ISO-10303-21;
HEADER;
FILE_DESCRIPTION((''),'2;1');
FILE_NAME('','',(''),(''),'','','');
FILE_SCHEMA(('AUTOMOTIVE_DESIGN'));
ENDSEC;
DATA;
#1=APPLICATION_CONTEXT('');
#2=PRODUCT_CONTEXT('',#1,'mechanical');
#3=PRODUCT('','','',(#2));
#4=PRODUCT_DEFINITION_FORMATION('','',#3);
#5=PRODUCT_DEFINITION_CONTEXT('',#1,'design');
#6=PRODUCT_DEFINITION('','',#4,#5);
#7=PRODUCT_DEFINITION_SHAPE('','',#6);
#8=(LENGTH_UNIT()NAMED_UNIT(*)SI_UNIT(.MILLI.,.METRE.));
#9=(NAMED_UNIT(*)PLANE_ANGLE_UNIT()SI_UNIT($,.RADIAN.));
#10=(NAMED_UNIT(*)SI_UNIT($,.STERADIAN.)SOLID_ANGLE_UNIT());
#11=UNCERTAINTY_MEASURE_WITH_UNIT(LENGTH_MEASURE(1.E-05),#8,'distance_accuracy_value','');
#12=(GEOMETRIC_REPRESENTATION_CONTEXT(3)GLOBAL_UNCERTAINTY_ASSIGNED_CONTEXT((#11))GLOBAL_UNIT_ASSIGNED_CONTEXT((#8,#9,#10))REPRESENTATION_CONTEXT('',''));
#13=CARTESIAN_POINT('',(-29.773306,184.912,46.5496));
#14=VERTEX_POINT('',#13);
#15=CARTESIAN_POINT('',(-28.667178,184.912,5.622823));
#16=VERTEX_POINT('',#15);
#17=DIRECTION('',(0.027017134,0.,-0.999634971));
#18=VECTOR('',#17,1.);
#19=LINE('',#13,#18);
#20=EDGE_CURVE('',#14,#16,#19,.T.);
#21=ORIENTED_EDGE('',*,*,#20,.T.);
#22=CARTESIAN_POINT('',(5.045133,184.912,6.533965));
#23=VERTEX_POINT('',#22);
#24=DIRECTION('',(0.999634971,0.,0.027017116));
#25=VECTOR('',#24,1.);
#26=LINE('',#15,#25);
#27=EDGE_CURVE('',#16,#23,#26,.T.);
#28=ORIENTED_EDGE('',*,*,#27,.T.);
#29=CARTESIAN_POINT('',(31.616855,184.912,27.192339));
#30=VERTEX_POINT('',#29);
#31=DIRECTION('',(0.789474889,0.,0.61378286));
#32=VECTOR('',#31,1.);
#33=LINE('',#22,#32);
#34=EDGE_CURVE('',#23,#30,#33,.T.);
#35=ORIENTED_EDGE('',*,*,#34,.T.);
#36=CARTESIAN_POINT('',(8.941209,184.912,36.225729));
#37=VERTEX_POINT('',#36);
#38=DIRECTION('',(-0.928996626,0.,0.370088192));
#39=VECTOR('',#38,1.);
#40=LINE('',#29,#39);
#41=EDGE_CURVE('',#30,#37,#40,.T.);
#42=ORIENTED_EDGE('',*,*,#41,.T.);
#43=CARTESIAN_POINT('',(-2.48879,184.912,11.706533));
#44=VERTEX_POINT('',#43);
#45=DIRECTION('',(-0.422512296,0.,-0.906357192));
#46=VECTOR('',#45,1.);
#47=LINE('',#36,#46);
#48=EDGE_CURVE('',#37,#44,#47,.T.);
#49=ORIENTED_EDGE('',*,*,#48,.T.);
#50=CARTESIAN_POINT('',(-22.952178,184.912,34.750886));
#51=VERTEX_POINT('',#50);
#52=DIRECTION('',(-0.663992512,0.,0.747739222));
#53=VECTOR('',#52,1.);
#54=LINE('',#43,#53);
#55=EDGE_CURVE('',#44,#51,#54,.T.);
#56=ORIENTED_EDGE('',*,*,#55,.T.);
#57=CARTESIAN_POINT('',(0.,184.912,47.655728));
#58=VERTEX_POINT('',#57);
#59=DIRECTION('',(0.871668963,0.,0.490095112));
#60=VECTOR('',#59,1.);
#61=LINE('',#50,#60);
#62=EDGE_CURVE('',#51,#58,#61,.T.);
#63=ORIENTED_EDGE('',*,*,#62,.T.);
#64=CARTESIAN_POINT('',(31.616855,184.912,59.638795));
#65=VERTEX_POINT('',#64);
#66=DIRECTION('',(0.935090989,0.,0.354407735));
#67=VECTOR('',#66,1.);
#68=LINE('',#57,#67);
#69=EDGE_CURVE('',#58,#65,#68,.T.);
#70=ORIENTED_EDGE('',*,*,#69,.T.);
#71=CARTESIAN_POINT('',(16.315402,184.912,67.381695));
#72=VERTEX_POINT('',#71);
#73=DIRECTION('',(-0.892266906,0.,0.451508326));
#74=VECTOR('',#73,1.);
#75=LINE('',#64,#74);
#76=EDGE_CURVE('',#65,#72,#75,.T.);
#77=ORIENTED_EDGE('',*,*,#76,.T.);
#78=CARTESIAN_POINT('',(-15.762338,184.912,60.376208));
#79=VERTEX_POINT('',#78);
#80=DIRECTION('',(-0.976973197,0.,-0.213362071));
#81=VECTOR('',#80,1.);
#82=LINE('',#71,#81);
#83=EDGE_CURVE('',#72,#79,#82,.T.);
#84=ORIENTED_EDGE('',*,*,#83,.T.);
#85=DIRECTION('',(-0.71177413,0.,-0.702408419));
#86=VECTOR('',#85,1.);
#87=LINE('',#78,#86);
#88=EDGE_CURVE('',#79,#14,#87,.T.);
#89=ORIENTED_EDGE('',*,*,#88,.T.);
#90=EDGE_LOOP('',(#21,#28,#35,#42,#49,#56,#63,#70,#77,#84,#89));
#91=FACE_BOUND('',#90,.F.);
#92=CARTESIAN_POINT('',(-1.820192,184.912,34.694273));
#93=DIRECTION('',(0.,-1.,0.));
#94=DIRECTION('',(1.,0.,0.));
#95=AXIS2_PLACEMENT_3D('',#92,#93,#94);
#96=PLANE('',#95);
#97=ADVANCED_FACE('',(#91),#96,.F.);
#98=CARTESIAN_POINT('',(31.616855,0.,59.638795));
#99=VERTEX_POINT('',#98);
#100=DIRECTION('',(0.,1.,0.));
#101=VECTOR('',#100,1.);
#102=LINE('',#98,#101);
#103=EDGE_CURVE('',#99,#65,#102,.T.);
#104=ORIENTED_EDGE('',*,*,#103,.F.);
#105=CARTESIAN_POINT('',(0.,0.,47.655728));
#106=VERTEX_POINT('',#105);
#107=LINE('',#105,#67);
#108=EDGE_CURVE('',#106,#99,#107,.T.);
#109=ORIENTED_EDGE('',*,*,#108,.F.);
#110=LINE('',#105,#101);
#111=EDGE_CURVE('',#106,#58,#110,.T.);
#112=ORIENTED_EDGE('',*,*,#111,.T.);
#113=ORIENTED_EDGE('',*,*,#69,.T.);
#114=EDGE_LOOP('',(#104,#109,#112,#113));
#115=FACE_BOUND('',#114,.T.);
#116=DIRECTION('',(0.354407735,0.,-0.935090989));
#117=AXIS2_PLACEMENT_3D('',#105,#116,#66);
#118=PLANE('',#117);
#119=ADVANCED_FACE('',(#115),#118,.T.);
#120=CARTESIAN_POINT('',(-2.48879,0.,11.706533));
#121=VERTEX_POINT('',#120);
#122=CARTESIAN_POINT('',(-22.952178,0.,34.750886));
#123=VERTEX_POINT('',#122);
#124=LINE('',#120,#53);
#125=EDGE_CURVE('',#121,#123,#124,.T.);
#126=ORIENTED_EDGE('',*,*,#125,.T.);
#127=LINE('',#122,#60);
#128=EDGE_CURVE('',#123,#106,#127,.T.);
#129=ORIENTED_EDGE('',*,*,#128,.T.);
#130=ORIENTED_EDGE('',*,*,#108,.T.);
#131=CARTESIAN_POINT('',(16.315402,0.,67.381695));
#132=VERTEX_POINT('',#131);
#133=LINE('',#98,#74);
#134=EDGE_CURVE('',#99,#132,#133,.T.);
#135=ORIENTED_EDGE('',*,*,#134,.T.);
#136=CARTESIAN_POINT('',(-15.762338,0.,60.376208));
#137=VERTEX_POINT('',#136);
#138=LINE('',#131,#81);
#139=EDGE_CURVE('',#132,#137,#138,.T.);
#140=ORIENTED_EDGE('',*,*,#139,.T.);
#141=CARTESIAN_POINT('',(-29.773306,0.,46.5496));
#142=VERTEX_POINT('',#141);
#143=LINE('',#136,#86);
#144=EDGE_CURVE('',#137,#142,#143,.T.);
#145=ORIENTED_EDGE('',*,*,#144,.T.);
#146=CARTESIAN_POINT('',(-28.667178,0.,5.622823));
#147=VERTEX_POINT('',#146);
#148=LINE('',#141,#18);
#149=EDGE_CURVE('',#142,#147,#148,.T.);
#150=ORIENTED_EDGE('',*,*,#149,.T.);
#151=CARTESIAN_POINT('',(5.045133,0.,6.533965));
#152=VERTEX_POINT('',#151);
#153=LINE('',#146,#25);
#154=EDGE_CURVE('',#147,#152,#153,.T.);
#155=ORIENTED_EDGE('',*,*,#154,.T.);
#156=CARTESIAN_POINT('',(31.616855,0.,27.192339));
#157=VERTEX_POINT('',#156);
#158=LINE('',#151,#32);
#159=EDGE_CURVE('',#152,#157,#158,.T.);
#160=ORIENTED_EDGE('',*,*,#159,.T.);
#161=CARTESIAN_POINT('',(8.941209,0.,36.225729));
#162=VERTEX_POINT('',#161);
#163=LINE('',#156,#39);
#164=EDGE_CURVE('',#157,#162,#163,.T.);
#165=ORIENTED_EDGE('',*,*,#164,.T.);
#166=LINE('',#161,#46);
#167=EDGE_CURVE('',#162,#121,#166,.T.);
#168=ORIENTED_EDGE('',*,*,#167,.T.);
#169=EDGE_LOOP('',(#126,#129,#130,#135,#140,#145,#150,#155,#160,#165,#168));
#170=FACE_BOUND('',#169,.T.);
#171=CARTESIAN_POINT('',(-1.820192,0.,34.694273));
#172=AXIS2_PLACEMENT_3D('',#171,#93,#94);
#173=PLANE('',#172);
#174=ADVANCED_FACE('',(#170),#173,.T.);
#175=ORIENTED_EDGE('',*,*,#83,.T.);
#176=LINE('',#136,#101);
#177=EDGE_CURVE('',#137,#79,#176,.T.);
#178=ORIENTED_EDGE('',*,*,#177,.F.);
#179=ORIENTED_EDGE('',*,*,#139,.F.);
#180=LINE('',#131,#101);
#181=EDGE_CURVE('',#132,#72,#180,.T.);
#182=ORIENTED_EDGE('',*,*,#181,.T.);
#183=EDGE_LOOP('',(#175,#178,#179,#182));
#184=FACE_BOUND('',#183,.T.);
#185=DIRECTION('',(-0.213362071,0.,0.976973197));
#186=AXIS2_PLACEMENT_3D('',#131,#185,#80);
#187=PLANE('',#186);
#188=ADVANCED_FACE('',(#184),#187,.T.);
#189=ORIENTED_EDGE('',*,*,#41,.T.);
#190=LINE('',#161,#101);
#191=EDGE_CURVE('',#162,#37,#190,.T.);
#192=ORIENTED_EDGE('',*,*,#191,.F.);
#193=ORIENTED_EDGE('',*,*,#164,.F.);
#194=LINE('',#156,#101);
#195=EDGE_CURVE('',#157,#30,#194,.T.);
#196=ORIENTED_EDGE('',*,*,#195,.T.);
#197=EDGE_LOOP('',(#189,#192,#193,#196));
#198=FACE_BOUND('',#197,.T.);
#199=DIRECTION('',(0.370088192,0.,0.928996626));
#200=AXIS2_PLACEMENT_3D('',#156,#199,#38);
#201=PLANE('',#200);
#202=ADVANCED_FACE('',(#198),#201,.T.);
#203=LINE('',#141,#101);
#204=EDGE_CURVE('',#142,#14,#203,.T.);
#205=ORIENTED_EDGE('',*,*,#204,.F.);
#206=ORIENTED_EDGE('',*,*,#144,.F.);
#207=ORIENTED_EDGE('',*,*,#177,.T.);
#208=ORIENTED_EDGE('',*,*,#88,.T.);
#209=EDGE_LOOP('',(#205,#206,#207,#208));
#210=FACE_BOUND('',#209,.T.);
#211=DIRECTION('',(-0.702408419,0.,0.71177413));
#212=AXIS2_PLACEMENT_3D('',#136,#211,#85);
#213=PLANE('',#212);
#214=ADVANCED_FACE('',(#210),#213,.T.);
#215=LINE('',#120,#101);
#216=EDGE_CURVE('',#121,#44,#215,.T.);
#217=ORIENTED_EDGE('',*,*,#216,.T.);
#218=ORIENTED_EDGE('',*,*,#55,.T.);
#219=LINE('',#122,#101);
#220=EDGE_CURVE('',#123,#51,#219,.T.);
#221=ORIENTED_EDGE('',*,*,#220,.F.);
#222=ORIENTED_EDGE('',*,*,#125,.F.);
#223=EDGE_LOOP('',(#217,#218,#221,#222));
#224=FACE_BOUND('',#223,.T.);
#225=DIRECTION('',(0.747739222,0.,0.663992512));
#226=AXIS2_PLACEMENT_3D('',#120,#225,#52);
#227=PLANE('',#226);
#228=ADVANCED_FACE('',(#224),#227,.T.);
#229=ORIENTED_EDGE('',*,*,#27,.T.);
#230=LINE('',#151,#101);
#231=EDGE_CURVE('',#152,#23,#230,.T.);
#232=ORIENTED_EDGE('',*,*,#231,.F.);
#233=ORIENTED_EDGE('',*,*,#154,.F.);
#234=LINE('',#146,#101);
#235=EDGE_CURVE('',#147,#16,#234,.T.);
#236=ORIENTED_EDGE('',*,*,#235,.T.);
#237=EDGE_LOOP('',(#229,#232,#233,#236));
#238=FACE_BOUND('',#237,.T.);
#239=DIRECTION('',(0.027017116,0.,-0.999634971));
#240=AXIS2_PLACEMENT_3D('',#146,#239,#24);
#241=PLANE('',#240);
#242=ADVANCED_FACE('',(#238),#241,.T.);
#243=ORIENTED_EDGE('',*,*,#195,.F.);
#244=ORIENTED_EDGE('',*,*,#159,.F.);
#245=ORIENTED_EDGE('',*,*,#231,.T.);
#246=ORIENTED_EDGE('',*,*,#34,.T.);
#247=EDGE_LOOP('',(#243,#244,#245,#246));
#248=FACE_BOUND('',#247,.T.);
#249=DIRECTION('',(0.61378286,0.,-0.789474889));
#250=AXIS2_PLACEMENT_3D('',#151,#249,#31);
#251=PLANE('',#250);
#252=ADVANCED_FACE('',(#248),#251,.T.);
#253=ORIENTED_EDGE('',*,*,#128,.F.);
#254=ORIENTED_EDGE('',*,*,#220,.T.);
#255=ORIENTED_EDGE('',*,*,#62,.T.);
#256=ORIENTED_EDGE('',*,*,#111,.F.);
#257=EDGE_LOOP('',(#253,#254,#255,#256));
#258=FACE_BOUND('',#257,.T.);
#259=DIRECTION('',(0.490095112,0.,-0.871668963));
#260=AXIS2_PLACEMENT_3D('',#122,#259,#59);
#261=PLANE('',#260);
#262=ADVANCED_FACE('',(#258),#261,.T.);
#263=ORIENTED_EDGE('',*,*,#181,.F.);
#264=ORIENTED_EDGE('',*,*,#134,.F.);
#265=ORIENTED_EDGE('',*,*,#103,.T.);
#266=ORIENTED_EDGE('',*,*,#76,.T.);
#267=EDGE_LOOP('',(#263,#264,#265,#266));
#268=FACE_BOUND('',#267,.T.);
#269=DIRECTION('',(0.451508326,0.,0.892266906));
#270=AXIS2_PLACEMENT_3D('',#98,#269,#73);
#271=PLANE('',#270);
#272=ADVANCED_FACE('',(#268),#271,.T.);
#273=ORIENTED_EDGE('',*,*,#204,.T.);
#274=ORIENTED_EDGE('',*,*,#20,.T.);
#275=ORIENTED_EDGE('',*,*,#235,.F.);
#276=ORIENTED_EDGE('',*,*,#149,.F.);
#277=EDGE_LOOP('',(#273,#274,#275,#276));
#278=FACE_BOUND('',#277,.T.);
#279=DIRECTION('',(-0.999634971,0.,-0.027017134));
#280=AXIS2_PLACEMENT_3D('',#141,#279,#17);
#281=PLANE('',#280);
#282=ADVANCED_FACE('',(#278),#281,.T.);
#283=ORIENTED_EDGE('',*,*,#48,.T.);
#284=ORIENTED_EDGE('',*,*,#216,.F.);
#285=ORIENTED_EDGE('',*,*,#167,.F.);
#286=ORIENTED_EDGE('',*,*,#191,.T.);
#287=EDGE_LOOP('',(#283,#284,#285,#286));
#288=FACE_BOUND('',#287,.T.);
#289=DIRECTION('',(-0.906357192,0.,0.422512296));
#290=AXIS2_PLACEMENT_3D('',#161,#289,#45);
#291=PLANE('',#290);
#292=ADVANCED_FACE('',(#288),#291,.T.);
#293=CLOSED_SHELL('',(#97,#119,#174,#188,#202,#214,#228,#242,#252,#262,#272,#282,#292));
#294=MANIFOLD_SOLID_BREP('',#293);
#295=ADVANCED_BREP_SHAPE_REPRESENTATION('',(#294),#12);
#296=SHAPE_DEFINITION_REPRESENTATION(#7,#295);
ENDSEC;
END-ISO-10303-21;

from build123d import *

# Parameters (mm, degrees)
F1_DEPTH = 184.912


with BuildPart() as f1:
    # F0 (on Front) → F1 (new body)
    with BuildSketch(Plane.XZ):
        Polygon((-15.762338, 60.376208), (-29.773306, 46.5496), (-28.667178, 5.622823), (5.045133, 6.533965), (31.616855, 27.192339), (8.941209, 36.225729), (-2.48879, 11.706533), (-22.952178, 34.750886), (0, 47.655728), (31.616855, 59.638795), (16.315402, 67.381695), align=None)
    extrude(amount=-F1_DEPTH)


solid = f1.part
